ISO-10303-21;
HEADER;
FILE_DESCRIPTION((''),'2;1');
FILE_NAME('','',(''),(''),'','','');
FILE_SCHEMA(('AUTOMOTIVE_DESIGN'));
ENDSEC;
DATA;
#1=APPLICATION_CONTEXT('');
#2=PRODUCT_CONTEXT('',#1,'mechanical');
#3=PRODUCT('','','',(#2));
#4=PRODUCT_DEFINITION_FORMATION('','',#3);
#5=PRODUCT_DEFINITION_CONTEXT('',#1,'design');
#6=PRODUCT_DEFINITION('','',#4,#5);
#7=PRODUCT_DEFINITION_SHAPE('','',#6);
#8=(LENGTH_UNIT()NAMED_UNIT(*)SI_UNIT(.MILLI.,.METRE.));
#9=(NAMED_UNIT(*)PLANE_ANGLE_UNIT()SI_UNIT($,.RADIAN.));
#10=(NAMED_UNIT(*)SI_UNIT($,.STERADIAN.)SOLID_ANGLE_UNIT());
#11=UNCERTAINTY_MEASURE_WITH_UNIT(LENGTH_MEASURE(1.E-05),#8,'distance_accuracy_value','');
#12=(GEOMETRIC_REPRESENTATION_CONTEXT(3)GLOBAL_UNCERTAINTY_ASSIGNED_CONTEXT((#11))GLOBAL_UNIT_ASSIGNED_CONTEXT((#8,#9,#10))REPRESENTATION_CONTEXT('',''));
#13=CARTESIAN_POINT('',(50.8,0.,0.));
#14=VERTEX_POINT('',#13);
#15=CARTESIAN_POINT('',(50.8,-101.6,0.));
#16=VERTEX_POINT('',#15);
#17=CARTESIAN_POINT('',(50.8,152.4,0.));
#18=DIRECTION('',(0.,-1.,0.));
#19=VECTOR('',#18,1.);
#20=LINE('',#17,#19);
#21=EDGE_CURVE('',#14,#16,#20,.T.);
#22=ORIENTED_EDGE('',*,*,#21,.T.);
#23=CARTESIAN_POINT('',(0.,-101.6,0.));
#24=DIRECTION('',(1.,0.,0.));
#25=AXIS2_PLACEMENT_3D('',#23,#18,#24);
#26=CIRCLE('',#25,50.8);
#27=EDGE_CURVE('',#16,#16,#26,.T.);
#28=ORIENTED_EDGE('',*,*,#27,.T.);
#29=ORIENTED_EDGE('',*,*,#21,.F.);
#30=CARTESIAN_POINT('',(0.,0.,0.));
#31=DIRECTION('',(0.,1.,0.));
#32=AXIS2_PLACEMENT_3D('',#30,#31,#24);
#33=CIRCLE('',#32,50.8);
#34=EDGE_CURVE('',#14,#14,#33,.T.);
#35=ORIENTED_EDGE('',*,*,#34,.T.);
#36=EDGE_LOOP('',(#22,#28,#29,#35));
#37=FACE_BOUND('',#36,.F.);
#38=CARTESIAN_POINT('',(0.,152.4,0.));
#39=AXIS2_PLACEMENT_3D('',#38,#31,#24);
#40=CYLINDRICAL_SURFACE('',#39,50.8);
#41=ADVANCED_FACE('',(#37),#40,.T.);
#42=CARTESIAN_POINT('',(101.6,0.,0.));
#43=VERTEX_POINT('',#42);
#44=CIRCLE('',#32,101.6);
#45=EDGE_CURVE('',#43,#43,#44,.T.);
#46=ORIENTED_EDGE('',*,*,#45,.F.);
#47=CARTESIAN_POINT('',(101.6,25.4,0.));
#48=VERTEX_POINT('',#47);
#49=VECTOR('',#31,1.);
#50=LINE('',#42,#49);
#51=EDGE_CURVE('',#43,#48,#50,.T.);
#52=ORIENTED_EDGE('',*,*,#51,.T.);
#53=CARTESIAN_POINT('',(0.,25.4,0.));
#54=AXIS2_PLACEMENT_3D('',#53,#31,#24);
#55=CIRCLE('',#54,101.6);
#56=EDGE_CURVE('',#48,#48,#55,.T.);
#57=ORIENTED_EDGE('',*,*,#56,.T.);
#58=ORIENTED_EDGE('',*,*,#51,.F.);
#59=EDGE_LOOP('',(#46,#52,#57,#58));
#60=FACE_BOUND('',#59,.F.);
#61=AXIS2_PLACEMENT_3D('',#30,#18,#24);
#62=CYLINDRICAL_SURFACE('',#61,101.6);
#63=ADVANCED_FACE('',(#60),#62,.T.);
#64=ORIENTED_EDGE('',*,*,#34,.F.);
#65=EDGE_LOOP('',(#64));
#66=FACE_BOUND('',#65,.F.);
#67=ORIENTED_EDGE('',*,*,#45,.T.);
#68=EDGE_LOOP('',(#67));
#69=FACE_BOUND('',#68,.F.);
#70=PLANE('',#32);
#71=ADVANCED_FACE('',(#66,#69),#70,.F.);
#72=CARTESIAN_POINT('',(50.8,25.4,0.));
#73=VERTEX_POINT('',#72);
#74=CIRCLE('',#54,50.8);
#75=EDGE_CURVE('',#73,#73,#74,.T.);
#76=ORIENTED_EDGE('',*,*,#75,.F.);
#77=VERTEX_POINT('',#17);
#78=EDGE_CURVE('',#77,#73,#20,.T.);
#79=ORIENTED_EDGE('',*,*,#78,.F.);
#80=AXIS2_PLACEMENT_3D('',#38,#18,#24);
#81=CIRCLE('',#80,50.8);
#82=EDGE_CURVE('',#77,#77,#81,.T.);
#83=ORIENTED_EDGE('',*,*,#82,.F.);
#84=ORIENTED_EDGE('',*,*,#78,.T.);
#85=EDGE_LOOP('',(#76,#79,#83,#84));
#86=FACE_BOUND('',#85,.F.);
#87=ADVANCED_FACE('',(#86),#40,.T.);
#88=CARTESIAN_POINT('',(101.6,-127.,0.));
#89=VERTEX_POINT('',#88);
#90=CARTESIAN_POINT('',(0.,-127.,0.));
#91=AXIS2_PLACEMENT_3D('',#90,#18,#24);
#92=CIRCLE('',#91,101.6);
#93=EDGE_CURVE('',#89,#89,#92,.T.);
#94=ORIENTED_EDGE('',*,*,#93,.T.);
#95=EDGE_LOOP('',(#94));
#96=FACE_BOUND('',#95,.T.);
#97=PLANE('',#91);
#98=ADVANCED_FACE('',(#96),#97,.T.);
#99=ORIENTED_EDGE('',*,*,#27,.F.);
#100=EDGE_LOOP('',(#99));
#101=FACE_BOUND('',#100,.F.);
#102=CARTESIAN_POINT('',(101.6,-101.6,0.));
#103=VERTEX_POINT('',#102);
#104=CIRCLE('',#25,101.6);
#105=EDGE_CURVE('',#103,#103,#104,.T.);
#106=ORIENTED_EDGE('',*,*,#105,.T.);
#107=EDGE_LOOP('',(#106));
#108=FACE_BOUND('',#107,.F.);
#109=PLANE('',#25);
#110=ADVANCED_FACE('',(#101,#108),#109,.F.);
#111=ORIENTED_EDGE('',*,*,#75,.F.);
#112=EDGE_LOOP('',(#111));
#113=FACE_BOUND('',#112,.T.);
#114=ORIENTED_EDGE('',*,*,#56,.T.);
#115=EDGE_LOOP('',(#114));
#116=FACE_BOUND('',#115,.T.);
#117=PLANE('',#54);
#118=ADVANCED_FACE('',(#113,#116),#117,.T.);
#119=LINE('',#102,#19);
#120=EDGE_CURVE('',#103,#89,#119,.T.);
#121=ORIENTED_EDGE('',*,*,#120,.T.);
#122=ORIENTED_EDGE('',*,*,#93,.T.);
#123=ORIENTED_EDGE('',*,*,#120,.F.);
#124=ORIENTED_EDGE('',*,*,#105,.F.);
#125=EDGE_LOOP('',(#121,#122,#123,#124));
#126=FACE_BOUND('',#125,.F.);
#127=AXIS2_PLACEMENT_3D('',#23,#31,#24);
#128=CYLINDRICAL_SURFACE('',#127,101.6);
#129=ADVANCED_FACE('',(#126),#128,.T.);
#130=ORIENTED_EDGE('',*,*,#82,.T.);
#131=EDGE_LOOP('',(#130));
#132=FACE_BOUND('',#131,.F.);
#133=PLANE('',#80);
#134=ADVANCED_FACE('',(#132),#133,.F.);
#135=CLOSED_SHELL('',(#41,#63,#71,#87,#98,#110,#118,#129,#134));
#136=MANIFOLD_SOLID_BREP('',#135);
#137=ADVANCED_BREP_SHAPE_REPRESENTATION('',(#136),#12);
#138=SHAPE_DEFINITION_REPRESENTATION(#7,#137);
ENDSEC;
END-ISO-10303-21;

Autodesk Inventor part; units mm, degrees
ref_plane "YZ Plane" through (0, 0, 0) normal (1, 0, 0) x (0, 1, 0)
ref_plane "Work Plane4" through (0, 152.4, 0) normal (0, 1, 0) x (1, 0, 0)
ref_plane "Work Plane5" through (0, 152.4, 0) normal (0, 1, 0) x (1, 0, 0)
ref_plane "Work Plane3" through (0, 152.4, 0) normal (0, -1, 0) x (1, 0, 0)
sketch "Sketch6" plane through (0, 152.4, 0) normal (0, -1, 0) x (1, 0, 0)
  circle A0 centre (0, 0) radius 104.5589 projected
  circle A1 centre (0, 0) radius 50.8
  dimension "d15" = 101.6
extrude "Extrusion6" add sketch "Sketch6" along normal blind 254 contours A1
sketch "Sketch7" plane through (0, -101.6, 0) normal (0, -1, 0) x (1, 0, 0)
  circle A0 centre (0, 0) radius 104.5589 projected
  circle A1 centre (0, 0) radius 101.6
  dimension "d18" = 203.2
extrude "Extrusion7" add sketch "Sketch7" along normal blind 25.4 contours A1
ref_plane "Work Plane1" through (0, 0, 0) normal (0, 1, 0) x (1, 0, 0)
sketch "Sketch8" plane through (0, 0, 0) normal (0, 1, 0) x (1, 0, 0)
  circle A0 centre (0, 0) radius 101.6
  dimension "d22" = 203.2
extrude "Extrusion8" add sketch "Sketch8" along normal blind 25.4
ref_plane "Work Plane2" through (75.376, -18.8821, -44.9646) normal (1, 0, 0) x (0, 1, 0)
sketch "Sketch9" plane through (75.376, -18.8821, -44.9646) normal (1, 0, 0) x (0, 1, 0)
  circle A0 centre (-604.603, 44.9646) radius 12.7
  point P0 (18.8821, 44.9646)
  dimension "d25" = 25.4
extrude "Extrusion9" cut sketch "Sketch9" against normal through all
ref_plane "Work Plane6" through (-51.624, -18.8821, -44.9646) normal (1, 0, 0) x (0, 1, 0)
properties part number "CapstanBottom-ver1-1111-2021"
